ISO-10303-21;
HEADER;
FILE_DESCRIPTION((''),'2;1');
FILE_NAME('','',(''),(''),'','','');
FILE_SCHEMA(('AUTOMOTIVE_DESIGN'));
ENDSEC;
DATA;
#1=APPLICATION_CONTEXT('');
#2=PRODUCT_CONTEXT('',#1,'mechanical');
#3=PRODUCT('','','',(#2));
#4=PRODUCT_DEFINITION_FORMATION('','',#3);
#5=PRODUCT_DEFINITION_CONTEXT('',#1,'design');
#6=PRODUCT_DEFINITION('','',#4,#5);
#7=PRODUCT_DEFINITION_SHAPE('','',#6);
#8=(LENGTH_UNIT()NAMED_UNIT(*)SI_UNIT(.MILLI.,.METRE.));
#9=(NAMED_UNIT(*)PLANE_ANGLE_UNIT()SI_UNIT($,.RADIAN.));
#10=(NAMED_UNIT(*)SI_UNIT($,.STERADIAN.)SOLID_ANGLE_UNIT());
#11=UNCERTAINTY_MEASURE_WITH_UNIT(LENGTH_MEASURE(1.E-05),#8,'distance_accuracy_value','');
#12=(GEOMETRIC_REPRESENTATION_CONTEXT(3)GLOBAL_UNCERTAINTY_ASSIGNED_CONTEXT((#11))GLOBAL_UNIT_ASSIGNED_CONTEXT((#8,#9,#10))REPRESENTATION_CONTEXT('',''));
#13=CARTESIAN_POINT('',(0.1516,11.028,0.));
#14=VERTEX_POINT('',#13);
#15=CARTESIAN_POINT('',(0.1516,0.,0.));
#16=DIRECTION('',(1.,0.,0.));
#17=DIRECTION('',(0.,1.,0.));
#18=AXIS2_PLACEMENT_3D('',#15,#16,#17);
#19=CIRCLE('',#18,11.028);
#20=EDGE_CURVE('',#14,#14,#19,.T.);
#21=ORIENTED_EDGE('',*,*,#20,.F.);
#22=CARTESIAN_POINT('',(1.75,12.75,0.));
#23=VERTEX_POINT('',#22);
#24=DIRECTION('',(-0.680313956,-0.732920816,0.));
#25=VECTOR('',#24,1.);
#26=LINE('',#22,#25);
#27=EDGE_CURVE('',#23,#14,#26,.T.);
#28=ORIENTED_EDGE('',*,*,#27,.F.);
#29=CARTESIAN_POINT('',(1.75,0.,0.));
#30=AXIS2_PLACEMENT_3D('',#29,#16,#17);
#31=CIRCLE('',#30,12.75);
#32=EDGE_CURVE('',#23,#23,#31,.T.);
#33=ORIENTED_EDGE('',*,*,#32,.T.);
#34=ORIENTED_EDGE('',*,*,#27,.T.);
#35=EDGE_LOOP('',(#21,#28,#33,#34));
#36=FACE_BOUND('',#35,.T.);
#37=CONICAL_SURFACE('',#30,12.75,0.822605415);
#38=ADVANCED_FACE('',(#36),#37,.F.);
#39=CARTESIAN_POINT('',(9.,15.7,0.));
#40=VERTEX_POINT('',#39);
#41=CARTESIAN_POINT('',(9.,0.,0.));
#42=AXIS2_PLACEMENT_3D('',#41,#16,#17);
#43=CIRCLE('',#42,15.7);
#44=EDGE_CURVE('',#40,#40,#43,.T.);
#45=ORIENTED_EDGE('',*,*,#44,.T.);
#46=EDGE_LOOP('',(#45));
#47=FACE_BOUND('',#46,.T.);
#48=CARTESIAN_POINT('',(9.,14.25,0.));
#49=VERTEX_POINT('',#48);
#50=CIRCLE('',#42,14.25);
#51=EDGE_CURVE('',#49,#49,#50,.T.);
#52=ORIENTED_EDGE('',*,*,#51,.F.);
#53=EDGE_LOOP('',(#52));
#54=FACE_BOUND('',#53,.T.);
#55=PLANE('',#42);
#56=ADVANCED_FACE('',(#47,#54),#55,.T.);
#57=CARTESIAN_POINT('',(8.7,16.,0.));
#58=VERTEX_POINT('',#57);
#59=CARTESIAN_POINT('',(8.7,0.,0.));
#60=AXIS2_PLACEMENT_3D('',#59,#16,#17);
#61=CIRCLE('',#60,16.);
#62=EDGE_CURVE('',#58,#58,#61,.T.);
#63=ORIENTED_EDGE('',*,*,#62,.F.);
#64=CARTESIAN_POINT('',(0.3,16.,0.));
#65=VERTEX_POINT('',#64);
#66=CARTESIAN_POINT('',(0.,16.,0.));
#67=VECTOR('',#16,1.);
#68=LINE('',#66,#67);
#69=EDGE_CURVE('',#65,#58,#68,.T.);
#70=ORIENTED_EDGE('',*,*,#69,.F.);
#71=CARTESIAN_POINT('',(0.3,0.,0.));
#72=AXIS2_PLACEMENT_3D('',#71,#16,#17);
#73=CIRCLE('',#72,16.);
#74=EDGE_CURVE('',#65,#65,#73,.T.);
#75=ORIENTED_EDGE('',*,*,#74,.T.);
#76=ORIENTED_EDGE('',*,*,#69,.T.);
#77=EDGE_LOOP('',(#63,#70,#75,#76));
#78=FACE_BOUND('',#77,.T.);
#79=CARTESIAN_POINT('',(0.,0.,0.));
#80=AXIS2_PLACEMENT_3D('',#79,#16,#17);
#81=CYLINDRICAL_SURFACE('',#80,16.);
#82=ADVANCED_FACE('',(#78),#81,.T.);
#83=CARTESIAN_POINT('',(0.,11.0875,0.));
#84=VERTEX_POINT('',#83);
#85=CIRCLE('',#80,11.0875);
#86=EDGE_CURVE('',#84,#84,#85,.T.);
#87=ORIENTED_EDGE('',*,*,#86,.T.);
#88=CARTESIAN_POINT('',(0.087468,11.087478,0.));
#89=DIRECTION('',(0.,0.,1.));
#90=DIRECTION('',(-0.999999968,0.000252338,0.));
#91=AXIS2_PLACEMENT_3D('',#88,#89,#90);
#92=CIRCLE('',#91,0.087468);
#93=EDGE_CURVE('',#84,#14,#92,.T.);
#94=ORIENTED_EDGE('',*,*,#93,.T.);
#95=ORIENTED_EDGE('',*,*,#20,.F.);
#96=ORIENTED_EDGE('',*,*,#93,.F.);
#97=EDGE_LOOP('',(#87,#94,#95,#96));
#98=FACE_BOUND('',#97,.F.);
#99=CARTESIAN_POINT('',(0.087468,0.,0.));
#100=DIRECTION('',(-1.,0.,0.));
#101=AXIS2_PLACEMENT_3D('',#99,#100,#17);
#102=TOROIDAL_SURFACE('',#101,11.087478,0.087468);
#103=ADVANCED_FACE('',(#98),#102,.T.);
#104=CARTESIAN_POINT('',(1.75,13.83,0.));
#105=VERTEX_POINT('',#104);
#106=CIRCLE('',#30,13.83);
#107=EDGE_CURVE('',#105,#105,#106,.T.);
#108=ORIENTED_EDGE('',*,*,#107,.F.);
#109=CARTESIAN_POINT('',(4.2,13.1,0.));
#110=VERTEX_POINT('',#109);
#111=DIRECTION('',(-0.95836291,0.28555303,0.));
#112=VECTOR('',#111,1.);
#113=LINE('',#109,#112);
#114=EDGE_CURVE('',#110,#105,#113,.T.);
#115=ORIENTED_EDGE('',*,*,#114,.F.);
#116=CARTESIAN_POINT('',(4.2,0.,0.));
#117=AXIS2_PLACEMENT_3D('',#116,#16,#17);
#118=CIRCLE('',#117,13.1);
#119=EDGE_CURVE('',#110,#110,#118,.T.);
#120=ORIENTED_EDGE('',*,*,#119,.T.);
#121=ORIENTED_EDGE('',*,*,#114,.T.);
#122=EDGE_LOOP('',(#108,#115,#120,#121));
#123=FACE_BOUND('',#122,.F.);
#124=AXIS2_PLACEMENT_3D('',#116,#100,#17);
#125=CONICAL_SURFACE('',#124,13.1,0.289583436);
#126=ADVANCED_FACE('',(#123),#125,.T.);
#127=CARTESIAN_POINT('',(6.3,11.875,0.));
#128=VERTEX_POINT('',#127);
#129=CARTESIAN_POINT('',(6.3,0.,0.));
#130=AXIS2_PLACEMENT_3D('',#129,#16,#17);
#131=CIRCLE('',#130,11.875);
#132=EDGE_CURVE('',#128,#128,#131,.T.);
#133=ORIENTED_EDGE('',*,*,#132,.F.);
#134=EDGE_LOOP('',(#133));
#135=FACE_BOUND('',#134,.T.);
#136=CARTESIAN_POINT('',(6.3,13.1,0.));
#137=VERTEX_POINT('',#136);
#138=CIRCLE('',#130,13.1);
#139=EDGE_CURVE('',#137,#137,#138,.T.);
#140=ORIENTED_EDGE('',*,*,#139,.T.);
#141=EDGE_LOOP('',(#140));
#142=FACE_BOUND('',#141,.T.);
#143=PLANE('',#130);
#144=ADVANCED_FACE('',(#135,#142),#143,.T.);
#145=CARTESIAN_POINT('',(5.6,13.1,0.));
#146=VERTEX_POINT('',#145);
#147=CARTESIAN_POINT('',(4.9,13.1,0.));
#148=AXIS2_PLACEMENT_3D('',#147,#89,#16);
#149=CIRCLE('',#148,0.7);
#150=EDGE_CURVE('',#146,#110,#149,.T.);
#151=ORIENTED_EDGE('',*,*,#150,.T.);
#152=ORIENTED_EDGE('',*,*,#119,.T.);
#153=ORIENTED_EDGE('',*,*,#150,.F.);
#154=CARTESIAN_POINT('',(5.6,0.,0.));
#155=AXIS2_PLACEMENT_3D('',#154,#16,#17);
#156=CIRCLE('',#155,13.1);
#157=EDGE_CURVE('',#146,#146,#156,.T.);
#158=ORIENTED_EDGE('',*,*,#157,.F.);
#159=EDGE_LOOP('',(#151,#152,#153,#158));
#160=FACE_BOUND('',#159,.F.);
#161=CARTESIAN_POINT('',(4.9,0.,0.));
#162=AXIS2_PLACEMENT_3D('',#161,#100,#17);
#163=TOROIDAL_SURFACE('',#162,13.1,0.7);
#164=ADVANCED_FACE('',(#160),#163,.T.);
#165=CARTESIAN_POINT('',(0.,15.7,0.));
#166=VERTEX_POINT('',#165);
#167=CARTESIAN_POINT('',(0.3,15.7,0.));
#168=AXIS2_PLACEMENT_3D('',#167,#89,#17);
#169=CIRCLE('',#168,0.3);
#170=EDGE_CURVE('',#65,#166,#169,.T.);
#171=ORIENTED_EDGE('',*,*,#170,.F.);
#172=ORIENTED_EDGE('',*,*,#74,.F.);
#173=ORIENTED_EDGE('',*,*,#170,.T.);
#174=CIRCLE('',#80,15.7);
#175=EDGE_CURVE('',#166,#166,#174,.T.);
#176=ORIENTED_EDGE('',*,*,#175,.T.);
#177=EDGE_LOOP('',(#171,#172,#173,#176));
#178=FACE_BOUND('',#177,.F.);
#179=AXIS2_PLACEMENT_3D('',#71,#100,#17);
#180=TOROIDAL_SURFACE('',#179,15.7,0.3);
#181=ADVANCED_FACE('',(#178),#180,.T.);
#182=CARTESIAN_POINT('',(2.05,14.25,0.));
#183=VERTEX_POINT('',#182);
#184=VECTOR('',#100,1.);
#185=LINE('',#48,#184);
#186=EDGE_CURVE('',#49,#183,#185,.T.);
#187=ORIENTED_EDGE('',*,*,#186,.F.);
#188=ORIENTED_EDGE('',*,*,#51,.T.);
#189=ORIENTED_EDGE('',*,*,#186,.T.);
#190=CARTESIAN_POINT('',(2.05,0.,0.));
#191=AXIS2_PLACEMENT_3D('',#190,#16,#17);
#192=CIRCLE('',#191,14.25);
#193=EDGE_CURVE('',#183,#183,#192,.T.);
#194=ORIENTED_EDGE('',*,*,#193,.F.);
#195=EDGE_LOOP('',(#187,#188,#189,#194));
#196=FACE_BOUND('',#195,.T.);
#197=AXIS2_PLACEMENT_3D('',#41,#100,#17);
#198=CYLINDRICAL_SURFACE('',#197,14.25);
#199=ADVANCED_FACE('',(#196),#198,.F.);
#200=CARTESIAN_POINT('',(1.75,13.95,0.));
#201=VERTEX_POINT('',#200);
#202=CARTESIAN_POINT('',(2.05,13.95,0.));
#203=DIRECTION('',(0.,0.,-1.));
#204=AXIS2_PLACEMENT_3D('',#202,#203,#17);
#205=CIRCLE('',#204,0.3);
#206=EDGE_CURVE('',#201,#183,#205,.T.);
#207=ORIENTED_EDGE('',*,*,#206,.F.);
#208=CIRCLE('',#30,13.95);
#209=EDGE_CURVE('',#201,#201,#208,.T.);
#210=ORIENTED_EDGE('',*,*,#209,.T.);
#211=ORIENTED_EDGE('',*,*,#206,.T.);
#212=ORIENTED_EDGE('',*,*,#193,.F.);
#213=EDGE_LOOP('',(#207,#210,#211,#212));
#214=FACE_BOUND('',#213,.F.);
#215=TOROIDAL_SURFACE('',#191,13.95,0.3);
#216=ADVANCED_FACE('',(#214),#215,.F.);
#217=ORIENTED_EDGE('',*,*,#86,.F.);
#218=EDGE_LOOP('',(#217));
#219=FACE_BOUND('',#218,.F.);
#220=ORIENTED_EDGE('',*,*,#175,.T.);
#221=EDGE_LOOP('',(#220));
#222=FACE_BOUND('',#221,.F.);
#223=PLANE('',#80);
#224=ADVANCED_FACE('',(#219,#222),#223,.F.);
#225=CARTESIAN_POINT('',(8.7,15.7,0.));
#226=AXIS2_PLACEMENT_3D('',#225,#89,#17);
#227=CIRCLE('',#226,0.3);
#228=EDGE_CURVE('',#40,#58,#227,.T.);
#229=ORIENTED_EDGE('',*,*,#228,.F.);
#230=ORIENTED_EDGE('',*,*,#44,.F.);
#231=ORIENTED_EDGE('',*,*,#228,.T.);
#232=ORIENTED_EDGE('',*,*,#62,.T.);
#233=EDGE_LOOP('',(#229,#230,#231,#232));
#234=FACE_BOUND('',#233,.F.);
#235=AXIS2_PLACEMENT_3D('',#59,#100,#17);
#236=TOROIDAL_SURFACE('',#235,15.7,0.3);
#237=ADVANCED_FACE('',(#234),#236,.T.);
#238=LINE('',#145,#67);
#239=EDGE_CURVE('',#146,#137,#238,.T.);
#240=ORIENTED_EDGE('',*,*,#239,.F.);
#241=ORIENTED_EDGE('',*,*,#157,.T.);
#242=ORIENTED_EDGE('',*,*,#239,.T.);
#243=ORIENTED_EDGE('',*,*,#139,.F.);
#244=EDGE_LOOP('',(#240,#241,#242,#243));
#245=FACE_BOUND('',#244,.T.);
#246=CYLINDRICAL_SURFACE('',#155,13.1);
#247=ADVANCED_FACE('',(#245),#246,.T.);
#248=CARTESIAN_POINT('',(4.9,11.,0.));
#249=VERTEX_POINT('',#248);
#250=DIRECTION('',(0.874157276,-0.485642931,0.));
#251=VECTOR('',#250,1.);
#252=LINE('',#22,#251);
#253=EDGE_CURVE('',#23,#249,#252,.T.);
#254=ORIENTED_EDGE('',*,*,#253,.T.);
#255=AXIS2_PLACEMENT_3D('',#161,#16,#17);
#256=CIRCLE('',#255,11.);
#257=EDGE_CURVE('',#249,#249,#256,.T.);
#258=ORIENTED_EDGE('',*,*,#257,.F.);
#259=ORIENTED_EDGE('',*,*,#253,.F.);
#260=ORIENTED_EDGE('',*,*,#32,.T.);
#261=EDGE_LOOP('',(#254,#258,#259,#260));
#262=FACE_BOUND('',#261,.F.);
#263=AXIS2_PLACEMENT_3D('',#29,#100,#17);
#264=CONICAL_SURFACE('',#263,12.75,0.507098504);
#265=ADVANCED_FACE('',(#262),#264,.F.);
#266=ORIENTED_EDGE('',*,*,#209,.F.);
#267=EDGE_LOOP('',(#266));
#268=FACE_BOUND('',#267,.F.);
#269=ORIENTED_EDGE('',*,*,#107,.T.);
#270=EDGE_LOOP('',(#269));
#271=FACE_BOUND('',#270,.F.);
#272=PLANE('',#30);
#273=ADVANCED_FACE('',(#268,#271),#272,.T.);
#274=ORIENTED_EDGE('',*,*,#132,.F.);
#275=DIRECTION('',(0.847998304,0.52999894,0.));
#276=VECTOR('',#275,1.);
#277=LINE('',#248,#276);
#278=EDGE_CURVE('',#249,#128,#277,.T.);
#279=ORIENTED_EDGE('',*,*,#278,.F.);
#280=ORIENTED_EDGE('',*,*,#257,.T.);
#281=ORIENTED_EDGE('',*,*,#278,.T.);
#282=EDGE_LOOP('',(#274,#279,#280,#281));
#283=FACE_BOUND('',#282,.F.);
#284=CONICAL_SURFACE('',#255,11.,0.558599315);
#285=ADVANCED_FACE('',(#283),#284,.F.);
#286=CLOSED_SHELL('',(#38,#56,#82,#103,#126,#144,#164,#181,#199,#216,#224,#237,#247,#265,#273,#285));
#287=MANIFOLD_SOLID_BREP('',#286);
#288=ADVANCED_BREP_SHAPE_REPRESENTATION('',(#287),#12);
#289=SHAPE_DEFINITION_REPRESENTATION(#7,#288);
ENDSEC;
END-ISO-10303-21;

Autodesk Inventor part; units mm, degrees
ref_plane "YZ Plane" through (0, 0, 0) normal (1, 0, 0) x (0, 1, 0)
ref_plane "XZ Plane" through (0, 0, 0) normal (0, 1, 0) x (-1, 0, 0)
ref_plane "XY Plane" through (0, 0, 0) normal (0, 0, 1) x (1, 0, 0)
sketch "Sketch1" plane through (0, 0, 0) normal (0, 0, 1) x (1, 0, 0)
  circle A0 centre (4.9, 13.1) radius 0.455
  circle A1 centre (4.9, 13.1) radius 0.7
  line L0 (0, 16) -> (9, 16)
  line L1 (9, 14.25) -> (1.75, 14.25)
  line L2 (0, 0) -> (9.5856, 0)
  line L3 (1.75, 12.75) -> (4.9, 11)
  line L4 (4.9, 11) -> (6.3, 11.875)
  line L5 (4.9, 11) -> (0, 11) construction
  line L6 (0, 18) -> (0, -3) projected
  line L7 (-1.9415, 0) -> (11.5068, 0) projected
  line L8 (4.2, 13.1) -> (1.75, 13.83)
  line L9 (1.75, 13.83) -> (1.75, 14.25)
  line L10 (0, 16) -> (0, 11.0875)
  line L11 (4.9, 11) -> (0, 11)
  line L12 (1.75, 12.75) -> (0.1516, 11.028)
  arc A2 (0, 11.0875) -> (0.1516, 11.028) centre (0.0875, 11.0875) ccw
  line L13 (9, 16) -> (9, 14.25)
  line L14 (5.6, 13.1) -> (6.3, 13.1)
  line L15 (6.3, 13.1) -> (6.3, 11.875)
  point P0 (0, 10.8646)
  dimension "d0" = 32
  dimension "d1" = 1.75
  dimension "d2" = 0.91
  dimension "d3" = 1.4
  dimension "d4" = 22
  dimension "d5" = 25.5
  dimension "d7" = 27.66
  dimension "d8" = 1.75
  dimension "d9" = 4.9
  dimension "d10" = 26.2
  dimension "d11" = 0.0875
  dimension "d12" = 6.3
  dimension "d13" = 23.75
  dimension "d14" = 9
revolve "Body" add sketch "Sketch1" angle 360 about axis through (0, 0, 0) along (1, 0, 0) contours L14 L15 L4 L3 L12 A2 L6 L0 L13 L1 L9 L8 A1
revolve "Spring1" add sketch "Sketch1" angle 360 about axis through (0, 0, 0) along (1, 0, 0) contours A0 | A1
fillet "Fillet1" radius 0.3 3 edges at (9, -16, 0) (1.75, -14.25, 0) (0, -16, 0)
equation "\"d0\" = SD2"
equation "\"d1\" = SD"
equation "\"d2\" = SPDI"
equation "\"d3\" = SPDA"
equation "\"d4\" = NND"
equation "\"d5\" = TKDM"
equation "\"d7\" = TKDM + 0.24 * SWDT"
equation "\"d8\" = SD"
equation "\"d9\" = SPDST"
equation "\"d10\" = HLDM"
equation "\"d11\" = 0.25 * LAB"
equation "\"d12\" = SDI"
equation "\"d13\" = ABDM"
equation "\"d14\" = SWDT"
equation "\"d6\" = RR"
equation "\"SD2\" = 32"
equation "\"SWDT\" = 9"
equation "\"RR\" = 0.3"
equation "\"SD\" = 1.75"
equation "\"NND\" = 22"
equation "\"SPDA\" = 1.4"
equation "\"SPDI\" = 0.91"
equation "\"TKDM\" = 25.5"
equation "\"HLDM\" = 26.2"
equation "\"ABDM\" = 23.75"
equation "\"SDI\" = 6.3"
equation "\"SPDST\" = 4.9"
equation "\"LAB\" = 0.35"
properties part number "BS 1399: Part 1 - 22329" material "Rubber"
